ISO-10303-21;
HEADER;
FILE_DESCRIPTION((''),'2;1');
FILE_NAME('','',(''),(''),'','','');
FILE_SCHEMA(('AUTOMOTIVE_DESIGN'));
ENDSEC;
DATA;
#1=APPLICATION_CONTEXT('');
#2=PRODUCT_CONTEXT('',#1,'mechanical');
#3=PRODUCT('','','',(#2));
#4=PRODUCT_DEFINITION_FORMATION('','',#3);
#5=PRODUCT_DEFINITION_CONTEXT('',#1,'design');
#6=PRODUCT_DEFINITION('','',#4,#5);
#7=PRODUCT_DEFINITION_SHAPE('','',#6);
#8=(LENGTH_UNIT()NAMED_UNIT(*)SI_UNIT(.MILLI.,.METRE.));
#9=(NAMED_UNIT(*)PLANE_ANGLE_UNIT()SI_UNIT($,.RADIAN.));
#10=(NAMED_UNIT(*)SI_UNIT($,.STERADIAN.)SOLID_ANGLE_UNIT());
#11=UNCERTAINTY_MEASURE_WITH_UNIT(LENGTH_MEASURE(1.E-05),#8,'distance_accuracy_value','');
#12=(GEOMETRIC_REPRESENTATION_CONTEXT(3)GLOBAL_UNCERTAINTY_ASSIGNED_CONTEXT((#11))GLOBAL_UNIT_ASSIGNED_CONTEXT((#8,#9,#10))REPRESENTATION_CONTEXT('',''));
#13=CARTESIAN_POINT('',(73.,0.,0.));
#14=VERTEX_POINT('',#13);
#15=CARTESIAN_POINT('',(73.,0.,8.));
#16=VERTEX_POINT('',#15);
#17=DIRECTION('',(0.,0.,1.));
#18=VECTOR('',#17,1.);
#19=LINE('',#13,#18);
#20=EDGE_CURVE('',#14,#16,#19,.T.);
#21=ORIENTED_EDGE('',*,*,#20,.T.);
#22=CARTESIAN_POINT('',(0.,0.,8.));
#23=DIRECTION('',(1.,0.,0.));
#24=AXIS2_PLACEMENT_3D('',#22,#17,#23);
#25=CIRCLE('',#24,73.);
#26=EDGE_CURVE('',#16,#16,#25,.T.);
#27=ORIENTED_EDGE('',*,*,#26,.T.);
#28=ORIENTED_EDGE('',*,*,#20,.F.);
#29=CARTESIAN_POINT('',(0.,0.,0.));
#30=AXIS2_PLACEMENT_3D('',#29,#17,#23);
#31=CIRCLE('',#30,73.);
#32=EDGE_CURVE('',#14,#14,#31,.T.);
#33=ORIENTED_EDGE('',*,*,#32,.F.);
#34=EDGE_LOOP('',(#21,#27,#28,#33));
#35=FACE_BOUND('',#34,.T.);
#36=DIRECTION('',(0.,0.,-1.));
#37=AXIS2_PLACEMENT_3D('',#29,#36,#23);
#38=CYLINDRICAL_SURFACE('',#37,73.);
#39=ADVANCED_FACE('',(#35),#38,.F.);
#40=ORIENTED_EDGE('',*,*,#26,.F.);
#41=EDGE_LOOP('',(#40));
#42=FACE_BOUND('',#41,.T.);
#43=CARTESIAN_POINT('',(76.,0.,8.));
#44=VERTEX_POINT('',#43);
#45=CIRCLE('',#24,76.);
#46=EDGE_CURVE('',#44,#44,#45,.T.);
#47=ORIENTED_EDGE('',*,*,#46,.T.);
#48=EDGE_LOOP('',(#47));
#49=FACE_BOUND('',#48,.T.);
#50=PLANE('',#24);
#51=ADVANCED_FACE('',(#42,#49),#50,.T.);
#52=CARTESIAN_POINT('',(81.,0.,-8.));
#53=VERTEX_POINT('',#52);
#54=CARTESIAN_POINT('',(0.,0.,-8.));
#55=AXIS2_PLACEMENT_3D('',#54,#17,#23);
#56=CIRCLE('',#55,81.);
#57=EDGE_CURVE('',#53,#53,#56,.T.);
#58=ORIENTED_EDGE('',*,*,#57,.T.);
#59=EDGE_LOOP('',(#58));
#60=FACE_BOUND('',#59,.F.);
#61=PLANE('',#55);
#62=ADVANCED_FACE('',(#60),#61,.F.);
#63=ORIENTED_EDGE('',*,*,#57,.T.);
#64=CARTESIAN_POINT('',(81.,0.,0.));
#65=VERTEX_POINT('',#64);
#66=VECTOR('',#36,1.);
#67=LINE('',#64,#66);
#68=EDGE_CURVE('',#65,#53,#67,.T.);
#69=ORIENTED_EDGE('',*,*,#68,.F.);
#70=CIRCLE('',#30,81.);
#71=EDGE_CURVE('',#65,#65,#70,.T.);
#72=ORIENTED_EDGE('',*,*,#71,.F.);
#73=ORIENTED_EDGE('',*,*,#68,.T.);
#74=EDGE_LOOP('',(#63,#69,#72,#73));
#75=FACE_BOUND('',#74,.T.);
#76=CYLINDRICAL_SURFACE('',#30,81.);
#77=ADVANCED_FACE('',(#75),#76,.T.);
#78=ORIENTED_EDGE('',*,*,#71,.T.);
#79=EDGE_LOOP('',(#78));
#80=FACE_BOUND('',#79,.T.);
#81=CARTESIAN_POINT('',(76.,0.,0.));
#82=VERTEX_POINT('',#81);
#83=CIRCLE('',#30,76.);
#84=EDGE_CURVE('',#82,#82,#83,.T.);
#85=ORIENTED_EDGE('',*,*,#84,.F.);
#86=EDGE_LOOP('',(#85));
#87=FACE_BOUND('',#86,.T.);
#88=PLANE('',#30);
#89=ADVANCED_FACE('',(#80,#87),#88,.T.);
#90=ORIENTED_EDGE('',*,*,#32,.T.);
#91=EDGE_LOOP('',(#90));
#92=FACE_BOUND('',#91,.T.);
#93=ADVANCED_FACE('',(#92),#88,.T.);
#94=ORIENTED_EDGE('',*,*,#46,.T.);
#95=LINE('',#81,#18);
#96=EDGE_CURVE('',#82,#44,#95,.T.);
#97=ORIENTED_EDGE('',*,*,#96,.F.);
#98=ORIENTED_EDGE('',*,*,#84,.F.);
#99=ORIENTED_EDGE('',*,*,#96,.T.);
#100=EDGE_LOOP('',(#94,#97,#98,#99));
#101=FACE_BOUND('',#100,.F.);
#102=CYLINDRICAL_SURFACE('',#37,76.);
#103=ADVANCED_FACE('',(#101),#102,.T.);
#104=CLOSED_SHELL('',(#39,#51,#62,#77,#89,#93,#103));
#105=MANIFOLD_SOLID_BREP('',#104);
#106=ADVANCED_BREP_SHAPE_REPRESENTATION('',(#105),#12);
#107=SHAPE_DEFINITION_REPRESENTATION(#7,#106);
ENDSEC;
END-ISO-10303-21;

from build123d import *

# Parameters (mm, degrees)
F0_R     = 76
F0_R_2   = 73
F1_DEPTH = 8
F0_R_3   = 81
F0_R_4   = 79
F0_R_5   = 27.906169
F2_DEPTH = 8


with BuildPart() as f1:
    # F0 (on Top) → F1 (new body)
    with BuildSketch(Plane.XY):
        Circle(F0_R)
        Circle(F0_R_2, mode=Mode.SUBTRACT)
    extrude(amount=F1_DEPTH)

    # F0 (on Top) → F2 (join)
    with BuildSketch(Plane.XY):
        Circle(F0_R_3)
        Circle(F0_R_4, mode=Mode.SUBTRACT)
        Circle(F0_R_4)
        Circle(F0_R, mode=Mode.SUBTRACT)
        Circle(F0_R)
        Circle(F0_R_2, mode=Mode.SUBTRACT)
        Circle(F0_R_2)
        Circle(F0_R_5, mode=Mode.SUBTRACT)
        Circle(F0_R_5)
    extrude(amount=-F2_DEPTH)


solid = f1.part
